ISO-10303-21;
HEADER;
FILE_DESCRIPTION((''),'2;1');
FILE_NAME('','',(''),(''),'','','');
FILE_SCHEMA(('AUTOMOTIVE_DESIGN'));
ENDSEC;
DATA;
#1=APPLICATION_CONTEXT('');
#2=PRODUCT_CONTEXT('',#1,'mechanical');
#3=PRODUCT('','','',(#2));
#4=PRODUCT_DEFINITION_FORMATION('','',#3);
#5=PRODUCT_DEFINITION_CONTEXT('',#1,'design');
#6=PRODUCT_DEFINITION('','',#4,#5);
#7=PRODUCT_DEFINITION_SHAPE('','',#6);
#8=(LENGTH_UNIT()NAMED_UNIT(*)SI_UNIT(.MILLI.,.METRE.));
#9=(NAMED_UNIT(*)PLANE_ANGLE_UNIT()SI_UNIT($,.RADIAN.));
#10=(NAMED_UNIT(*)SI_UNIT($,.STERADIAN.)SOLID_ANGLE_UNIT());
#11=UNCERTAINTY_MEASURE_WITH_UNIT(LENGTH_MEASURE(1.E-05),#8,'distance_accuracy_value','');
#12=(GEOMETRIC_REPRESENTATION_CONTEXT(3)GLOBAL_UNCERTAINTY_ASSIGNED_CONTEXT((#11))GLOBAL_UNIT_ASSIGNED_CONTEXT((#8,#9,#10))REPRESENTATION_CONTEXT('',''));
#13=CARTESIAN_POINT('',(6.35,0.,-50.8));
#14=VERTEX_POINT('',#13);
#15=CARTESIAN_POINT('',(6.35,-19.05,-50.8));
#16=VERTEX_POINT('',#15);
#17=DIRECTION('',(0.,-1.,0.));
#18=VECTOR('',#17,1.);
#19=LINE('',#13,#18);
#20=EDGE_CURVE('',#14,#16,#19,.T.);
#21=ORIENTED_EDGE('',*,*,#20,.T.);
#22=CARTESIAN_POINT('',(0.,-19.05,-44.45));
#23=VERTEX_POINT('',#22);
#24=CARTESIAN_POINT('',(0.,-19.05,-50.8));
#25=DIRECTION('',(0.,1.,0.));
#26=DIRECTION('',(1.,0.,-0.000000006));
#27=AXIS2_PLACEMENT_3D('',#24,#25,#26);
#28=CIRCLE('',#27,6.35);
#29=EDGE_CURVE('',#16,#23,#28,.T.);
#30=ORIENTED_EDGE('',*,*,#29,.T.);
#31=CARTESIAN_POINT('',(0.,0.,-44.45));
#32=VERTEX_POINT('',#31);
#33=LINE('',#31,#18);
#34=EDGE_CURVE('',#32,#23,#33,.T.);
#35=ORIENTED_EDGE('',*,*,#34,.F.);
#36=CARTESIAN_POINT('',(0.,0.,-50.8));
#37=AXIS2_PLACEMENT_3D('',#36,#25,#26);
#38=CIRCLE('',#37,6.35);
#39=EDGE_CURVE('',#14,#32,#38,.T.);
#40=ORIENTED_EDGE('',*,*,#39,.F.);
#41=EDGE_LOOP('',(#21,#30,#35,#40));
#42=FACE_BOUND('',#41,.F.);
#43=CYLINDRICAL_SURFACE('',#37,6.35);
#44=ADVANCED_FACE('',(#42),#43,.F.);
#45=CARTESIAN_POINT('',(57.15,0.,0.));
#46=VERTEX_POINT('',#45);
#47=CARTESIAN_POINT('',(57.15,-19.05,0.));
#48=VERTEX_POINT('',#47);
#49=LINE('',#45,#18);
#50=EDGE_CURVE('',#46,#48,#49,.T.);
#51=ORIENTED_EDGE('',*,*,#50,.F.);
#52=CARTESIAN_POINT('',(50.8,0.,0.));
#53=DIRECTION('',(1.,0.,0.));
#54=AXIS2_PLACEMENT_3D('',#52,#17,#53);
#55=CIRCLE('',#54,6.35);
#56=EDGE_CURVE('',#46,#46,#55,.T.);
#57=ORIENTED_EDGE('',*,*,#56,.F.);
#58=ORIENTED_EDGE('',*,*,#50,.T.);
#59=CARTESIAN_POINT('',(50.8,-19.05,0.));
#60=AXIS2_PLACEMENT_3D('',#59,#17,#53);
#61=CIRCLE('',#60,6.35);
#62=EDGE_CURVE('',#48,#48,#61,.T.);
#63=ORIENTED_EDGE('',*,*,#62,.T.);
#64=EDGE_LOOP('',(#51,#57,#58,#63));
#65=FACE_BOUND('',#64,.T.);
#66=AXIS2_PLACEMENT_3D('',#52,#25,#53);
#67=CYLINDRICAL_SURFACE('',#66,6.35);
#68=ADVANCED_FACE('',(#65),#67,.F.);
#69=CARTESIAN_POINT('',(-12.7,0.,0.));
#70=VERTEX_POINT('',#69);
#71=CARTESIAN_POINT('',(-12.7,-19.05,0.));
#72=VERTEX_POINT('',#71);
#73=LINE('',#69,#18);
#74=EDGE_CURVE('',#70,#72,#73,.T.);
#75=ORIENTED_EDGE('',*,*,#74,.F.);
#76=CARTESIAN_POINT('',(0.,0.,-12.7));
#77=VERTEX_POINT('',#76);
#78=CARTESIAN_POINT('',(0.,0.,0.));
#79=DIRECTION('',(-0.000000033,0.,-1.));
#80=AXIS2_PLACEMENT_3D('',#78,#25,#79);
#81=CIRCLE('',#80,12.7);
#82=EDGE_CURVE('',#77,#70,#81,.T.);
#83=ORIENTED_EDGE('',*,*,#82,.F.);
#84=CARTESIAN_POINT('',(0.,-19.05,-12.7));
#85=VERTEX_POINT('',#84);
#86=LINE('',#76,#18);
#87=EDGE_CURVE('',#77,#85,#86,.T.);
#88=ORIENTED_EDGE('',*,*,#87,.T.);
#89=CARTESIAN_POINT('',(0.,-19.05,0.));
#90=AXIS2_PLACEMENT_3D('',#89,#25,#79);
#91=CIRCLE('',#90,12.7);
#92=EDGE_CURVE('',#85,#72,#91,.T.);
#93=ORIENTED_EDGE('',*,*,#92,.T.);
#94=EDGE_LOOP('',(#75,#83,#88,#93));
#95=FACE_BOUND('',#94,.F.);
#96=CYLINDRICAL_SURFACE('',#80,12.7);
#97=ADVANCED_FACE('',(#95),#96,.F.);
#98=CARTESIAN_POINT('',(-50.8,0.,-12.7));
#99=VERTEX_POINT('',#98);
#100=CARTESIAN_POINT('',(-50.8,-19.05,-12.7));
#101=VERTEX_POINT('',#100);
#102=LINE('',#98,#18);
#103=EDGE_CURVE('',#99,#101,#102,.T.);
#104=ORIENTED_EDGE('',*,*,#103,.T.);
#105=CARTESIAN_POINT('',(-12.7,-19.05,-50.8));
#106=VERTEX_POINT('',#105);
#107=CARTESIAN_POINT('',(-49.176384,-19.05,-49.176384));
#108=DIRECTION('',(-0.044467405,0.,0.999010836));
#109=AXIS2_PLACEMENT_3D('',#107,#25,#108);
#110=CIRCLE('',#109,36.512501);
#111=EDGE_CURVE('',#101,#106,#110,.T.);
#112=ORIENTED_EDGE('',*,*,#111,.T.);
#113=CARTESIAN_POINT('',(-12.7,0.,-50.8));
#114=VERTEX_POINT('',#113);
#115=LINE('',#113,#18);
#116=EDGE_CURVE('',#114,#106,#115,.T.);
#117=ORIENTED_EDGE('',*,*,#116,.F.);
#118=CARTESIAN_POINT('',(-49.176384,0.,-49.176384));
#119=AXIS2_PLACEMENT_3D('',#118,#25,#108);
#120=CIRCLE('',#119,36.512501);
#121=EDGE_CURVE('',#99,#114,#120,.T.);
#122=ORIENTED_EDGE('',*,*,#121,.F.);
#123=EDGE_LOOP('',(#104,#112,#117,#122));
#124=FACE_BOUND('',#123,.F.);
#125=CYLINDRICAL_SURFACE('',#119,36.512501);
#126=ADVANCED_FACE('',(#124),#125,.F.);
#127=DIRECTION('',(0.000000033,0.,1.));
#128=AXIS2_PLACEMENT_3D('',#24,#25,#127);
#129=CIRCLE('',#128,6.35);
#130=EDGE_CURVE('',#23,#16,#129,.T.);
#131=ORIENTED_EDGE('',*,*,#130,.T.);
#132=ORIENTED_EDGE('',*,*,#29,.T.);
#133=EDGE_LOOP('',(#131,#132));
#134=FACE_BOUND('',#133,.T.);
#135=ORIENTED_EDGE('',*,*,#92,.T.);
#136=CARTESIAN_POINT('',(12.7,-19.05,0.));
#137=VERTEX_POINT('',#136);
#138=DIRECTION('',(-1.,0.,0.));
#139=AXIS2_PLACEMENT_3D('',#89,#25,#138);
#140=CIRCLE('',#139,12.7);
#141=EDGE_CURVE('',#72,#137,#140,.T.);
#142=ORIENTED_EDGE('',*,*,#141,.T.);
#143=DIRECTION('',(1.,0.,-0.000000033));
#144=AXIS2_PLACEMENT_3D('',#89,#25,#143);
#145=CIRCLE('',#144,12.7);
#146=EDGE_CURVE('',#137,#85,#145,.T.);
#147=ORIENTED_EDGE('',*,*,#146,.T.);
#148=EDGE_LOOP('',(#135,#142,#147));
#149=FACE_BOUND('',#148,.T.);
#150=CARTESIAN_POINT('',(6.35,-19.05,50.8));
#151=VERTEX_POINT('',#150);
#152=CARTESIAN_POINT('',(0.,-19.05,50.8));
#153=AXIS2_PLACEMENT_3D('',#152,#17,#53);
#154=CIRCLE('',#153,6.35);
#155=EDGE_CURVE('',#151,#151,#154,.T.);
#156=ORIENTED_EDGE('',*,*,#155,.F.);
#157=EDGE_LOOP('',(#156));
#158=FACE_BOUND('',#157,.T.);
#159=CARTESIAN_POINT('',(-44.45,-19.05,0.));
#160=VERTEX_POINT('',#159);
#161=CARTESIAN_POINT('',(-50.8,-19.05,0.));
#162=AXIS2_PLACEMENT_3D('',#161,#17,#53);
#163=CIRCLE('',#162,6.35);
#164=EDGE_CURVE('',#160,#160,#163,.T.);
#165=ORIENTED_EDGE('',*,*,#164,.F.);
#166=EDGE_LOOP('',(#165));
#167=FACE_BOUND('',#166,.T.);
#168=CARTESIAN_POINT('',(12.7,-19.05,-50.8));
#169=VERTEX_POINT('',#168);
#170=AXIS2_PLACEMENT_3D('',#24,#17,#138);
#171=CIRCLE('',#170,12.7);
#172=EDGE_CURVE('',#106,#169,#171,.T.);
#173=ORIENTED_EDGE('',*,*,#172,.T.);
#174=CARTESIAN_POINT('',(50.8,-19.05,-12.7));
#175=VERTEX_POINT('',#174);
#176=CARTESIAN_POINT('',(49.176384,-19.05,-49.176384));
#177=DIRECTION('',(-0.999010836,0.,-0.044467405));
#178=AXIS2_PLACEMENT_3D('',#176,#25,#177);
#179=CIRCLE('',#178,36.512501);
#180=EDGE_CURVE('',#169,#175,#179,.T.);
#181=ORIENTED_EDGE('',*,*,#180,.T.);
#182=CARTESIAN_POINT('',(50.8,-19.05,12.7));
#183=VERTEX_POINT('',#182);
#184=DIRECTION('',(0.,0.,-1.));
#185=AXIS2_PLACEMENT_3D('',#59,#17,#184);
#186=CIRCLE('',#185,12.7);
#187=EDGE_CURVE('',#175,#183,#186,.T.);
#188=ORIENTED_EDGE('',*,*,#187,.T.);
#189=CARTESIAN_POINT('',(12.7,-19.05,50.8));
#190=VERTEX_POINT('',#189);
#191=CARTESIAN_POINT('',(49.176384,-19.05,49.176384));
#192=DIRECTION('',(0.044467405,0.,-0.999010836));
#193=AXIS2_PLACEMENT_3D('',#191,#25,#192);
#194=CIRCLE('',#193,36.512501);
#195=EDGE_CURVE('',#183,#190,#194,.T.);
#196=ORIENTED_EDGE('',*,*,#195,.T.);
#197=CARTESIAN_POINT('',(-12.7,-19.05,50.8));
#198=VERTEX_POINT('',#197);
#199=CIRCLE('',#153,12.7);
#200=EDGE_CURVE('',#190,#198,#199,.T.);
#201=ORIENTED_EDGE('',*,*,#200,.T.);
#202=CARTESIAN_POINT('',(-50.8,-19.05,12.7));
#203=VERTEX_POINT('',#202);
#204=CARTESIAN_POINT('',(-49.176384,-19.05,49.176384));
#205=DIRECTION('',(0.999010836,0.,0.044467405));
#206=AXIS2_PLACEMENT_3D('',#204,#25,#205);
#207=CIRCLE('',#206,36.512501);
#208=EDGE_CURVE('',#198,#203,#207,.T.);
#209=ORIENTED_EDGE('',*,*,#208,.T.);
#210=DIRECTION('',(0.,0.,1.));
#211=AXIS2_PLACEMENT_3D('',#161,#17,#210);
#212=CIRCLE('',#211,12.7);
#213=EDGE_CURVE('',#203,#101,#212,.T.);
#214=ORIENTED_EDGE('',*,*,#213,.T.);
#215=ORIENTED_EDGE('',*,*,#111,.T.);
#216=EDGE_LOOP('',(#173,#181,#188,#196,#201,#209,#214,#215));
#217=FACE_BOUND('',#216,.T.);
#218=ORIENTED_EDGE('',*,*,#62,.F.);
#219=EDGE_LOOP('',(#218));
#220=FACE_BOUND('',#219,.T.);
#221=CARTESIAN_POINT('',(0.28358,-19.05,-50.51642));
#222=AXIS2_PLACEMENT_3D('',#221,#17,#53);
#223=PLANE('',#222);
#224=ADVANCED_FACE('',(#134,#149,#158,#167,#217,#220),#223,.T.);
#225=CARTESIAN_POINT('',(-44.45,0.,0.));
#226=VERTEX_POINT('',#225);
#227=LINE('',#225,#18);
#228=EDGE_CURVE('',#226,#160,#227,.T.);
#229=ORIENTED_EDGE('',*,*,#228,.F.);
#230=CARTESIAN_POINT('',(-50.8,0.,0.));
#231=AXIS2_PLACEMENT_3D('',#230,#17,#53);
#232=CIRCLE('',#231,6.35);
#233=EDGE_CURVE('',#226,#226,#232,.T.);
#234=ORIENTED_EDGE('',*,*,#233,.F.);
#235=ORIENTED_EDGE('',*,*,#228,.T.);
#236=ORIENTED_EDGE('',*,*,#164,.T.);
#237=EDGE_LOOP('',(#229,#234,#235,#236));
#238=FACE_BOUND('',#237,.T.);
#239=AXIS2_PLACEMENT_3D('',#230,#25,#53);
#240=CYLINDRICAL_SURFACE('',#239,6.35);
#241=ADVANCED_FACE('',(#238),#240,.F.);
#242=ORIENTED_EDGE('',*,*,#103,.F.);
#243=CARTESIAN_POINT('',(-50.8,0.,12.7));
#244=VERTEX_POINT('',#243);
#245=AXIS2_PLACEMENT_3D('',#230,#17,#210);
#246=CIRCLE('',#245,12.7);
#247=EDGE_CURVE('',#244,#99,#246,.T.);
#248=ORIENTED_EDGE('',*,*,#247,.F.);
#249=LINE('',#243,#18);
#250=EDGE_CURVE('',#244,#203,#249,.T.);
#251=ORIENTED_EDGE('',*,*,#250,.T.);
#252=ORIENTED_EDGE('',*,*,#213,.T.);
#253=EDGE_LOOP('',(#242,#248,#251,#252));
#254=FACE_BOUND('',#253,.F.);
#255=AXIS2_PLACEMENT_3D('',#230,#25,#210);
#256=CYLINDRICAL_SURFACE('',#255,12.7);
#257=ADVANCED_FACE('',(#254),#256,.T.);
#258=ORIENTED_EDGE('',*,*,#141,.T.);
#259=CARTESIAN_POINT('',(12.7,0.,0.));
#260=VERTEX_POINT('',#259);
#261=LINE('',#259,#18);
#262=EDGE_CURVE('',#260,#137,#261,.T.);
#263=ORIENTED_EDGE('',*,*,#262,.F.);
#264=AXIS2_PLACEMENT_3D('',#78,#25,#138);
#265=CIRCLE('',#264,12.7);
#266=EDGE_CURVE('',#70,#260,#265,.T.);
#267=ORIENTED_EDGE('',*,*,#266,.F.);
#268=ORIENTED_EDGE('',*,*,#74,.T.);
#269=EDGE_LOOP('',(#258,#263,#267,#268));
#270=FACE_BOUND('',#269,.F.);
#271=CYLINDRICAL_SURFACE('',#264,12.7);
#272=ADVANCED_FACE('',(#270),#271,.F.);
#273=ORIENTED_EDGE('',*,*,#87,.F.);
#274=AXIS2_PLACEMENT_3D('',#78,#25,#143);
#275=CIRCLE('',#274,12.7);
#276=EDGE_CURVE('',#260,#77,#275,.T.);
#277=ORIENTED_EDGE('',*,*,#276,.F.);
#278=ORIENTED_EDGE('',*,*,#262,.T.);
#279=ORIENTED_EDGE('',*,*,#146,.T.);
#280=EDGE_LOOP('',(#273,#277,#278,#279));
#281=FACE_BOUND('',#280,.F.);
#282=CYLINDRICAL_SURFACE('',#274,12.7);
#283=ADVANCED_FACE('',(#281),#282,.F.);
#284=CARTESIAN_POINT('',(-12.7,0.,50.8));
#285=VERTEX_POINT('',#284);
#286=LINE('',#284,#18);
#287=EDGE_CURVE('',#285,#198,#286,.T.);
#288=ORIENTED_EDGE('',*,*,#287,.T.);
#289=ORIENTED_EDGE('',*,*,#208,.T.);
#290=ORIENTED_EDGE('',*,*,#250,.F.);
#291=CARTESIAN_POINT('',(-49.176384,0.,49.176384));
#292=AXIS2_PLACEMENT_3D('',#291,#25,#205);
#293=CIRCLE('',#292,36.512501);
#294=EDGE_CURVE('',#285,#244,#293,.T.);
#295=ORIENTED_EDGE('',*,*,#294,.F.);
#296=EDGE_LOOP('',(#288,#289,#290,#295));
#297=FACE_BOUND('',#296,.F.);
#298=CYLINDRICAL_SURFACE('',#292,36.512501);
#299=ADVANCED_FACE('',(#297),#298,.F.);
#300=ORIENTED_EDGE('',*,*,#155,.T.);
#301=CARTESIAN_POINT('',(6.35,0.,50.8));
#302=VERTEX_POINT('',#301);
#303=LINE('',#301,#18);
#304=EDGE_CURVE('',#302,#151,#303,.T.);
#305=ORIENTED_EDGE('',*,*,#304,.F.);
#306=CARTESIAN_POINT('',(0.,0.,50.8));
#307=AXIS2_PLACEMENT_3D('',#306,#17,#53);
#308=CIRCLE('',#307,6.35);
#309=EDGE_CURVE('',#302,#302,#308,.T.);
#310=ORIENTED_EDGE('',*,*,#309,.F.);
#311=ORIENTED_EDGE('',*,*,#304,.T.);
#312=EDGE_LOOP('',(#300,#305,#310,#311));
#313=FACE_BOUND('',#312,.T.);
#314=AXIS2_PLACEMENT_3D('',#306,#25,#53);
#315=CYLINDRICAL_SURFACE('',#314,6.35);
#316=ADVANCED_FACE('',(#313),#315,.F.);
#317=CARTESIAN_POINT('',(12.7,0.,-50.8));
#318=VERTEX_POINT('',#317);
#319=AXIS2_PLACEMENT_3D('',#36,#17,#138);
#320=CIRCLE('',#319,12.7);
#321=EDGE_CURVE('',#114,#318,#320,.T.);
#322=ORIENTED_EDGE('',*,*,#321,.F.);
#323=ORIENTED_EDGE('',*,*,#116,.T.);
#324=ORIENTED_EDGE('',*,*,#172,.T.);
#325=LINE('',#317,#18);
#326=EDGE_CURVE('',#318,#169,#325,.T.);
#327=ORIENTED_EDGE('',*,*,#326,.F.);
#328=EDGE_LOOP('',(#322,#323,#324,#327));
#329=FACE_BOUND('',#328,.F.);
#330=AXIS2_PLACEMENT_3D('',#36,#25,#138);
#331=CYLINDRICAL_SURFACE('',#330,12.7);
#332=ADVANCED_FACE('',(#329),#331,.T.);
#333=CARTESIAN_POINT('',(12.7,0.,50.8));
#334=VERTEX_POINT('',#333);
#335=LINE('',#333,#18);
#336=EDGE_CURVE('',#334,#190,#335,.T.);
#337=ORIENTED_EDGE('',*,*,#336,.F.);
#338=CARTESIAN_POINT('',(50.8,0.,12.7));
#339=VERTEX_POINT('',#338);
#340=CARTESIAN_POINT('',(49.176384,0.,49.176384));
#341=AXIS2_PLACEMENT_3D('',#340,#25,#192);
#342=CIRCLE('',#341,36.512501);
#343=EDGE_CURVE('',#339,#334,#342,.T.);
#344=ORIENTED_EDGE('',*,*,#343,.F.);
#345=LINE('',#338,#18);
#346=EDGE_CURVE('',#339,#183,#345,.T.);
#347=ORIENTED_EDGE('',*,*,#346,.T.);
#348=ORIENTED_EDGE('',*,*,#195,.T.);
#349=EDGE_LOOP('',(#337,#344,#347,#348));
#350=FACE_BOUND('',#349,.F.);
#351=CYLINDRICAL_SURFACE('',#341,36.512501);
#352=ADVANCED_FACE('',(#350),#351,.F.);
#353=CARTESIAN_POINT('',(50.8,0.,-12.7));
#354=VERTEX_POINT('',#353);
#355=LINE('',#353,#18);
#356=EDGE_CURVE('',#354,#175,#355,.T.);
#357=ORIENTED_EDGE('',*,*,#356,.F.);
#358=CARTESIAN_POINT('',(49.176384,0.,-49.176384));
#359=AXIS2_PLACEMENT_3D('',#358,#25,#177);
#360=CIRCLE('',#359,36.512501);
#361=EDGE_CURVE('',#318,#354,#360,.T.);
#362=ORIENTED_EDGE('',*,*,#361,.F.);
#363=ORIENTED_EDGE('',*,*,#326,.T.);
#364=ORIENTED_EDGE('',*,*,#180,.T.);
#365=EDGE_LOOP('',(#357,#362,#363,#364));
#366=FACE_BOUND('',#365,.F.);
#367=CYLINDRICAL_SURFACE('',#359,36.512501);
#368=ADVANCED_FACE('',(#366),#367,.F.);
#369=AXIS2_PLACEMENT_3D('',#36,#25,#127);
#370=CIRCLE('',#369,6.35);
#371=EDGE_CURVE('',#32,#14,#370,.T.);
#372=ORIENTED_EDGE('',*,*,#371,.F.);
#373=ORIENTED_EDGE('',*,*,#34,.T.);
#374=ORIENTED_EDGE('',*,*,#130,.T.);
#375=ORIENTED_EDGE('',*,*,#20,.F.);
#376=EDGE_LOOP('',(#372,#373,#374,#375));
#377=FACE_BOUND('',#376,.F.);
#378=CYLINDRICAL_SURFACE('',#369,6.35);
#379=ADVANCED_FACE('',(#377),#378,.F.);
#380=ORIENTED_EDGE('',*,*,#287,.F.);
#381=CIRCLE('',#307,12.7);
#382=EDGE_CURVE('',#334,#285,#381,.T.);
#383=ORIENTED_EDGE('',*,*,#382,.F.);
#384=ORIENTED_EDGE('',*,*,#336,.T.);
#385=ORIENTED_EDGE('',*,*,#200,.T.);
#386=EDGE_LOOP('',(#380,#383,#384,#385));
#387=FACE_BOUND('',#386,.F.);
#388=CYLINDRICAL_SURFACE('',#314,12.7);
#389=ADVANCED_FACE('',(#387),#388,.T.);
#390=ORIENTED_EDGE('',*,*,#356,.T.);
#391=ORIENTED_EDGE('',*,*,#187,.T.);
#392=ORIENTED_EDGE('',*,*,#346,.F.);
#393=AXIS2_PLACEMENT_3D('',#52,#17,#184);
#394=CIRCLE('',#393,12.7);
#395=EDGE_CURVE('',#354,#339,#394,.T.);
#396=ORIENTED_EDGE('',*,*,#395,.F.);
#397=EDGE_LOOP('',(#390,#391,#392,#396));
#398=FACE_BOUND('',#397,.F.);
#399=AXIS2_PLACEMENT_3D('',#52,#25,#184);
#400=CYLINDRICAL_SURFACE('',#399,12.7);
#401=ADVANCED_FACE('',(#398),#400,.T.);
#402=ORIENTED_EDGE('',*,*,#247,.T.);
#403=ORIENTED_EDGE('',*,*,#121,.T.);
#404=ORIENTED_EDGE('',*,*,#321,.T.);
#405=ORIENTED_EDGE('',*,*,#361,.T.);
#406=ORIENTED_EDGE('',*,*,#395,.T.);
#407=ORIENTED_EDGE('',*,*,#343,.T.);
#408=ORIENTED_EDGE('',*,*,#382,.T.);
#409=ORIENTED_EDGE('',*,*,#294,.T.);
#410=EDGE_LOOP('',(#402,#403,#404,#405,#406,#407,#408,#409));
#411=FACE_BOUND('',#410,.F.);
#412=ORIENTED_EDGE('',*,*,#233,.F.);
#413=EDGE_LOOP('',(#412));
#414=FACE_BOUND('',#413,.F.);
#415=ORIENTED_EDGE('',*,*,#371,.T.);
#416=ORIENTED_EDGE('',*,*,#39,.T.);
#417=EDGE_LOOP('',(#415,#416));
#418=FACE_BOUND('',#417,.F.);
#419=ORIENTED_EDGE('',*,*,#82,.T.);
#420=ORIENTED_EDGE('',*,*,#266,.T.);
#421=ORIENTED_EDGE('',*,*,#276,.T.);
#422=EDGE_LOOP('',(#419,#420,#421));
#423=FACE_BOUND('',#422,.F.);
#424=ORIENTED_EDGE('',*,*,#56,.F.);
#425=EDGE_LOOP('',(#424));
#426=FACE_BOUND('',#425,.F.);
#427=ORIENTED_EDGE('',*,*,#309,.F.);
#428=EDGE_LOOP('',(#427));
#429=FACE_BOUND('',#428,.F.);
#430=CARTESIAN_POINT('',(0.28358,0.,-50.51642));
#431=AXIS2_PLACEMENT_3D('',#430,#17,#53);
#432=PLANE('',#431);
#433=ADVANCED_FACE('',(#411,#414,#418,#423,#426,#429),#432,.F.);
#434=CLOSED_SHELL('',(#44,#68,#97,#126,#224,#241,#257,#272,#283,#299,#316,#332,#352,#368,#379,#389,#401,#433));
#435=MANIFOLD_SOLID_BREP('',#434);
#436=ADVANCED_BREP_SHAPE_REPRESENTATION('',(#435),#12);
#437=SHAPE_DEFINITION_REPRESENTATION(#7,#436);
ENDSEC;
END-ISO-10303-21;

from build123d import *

# Parameters (mm, degrees)
F0_R     = 6.35
F1_DEPTH = 19.05


with BuildPart() as f1:
    # F0 (on Front) → F1 (new body)
    with BuildSketch(Plane.XZ):
        with BuildLine():
            ThreePointArc((6.35, -50.8), (4.490128, -46.309872), (0, -44.45))
            ThreePointArc((0, -44.45), (-4.490128, -55.290128), (6.35, -50.8))
        make_face()
        with BuildLine():
            ThreePointArc((-12.7, 50.8), (-23.358147, 23.358147), (-50.8, 12.7))
            ThreePointArc((-50.8, 12.7), (-63.5, 0), (-50.8, -12.7))
            ThreePointArc((-50.8, -12.7), (-23.358147, -23.358147), (-12.7, -50.8))
            ThreePointArc((-12.7, -50.8), (0, -63.5), (12.7, -50.8))
            ThreePointArc((12.7, -50.8), (23.358147, -23.358147), (50.8, -12.7))
            ThreePointArc((50.8, -12.7), (63.5, 0), (50.8, 12.7))
            ThreePointArc((50.8, 12.7), (23.358147, 23.358147), (12.7, 50.8))
            ThreePointArc((12.7, 50.8), (0, 63.5), (-12.7, 50.8))
        make_face()
        with BuildLine():
            ThreePointArc((6.35, -50.8), (-4.490128, -55.290128), (0, -44.45))
            ThreePointArc((0, -44.45), (4.490128, -46.309872), (6.35, -50.8))
        make_face(mode=Mode.SUBTRACT)
        with Locations((-50.8, 0)):
            Circle(F0_R, mode=Mode.SUBTRACT)
        with BuildLine():
            ThreePointArc((12.7, 0), (8.980256, -8.980256), (0, -12.7))
            ThreePointArc((0, -12.7), (-8.980256, -8.980256), (-12.7, 0))
            ThreePointArc((-12.7, 0), (0, 12.7), (12.7, 0))
        make_face(mode=Mode.SUBTRACT)
        with Locations((50.8, 0)):
            Circle(F0_R, mode=Mode.SUBTRACT)
        with Locations((0, 50.8)):
            Circle(F0_R, mode=Mode.SUBTRACT)
    extrude(amount=F1_DEPTH)


solid = f1.part
